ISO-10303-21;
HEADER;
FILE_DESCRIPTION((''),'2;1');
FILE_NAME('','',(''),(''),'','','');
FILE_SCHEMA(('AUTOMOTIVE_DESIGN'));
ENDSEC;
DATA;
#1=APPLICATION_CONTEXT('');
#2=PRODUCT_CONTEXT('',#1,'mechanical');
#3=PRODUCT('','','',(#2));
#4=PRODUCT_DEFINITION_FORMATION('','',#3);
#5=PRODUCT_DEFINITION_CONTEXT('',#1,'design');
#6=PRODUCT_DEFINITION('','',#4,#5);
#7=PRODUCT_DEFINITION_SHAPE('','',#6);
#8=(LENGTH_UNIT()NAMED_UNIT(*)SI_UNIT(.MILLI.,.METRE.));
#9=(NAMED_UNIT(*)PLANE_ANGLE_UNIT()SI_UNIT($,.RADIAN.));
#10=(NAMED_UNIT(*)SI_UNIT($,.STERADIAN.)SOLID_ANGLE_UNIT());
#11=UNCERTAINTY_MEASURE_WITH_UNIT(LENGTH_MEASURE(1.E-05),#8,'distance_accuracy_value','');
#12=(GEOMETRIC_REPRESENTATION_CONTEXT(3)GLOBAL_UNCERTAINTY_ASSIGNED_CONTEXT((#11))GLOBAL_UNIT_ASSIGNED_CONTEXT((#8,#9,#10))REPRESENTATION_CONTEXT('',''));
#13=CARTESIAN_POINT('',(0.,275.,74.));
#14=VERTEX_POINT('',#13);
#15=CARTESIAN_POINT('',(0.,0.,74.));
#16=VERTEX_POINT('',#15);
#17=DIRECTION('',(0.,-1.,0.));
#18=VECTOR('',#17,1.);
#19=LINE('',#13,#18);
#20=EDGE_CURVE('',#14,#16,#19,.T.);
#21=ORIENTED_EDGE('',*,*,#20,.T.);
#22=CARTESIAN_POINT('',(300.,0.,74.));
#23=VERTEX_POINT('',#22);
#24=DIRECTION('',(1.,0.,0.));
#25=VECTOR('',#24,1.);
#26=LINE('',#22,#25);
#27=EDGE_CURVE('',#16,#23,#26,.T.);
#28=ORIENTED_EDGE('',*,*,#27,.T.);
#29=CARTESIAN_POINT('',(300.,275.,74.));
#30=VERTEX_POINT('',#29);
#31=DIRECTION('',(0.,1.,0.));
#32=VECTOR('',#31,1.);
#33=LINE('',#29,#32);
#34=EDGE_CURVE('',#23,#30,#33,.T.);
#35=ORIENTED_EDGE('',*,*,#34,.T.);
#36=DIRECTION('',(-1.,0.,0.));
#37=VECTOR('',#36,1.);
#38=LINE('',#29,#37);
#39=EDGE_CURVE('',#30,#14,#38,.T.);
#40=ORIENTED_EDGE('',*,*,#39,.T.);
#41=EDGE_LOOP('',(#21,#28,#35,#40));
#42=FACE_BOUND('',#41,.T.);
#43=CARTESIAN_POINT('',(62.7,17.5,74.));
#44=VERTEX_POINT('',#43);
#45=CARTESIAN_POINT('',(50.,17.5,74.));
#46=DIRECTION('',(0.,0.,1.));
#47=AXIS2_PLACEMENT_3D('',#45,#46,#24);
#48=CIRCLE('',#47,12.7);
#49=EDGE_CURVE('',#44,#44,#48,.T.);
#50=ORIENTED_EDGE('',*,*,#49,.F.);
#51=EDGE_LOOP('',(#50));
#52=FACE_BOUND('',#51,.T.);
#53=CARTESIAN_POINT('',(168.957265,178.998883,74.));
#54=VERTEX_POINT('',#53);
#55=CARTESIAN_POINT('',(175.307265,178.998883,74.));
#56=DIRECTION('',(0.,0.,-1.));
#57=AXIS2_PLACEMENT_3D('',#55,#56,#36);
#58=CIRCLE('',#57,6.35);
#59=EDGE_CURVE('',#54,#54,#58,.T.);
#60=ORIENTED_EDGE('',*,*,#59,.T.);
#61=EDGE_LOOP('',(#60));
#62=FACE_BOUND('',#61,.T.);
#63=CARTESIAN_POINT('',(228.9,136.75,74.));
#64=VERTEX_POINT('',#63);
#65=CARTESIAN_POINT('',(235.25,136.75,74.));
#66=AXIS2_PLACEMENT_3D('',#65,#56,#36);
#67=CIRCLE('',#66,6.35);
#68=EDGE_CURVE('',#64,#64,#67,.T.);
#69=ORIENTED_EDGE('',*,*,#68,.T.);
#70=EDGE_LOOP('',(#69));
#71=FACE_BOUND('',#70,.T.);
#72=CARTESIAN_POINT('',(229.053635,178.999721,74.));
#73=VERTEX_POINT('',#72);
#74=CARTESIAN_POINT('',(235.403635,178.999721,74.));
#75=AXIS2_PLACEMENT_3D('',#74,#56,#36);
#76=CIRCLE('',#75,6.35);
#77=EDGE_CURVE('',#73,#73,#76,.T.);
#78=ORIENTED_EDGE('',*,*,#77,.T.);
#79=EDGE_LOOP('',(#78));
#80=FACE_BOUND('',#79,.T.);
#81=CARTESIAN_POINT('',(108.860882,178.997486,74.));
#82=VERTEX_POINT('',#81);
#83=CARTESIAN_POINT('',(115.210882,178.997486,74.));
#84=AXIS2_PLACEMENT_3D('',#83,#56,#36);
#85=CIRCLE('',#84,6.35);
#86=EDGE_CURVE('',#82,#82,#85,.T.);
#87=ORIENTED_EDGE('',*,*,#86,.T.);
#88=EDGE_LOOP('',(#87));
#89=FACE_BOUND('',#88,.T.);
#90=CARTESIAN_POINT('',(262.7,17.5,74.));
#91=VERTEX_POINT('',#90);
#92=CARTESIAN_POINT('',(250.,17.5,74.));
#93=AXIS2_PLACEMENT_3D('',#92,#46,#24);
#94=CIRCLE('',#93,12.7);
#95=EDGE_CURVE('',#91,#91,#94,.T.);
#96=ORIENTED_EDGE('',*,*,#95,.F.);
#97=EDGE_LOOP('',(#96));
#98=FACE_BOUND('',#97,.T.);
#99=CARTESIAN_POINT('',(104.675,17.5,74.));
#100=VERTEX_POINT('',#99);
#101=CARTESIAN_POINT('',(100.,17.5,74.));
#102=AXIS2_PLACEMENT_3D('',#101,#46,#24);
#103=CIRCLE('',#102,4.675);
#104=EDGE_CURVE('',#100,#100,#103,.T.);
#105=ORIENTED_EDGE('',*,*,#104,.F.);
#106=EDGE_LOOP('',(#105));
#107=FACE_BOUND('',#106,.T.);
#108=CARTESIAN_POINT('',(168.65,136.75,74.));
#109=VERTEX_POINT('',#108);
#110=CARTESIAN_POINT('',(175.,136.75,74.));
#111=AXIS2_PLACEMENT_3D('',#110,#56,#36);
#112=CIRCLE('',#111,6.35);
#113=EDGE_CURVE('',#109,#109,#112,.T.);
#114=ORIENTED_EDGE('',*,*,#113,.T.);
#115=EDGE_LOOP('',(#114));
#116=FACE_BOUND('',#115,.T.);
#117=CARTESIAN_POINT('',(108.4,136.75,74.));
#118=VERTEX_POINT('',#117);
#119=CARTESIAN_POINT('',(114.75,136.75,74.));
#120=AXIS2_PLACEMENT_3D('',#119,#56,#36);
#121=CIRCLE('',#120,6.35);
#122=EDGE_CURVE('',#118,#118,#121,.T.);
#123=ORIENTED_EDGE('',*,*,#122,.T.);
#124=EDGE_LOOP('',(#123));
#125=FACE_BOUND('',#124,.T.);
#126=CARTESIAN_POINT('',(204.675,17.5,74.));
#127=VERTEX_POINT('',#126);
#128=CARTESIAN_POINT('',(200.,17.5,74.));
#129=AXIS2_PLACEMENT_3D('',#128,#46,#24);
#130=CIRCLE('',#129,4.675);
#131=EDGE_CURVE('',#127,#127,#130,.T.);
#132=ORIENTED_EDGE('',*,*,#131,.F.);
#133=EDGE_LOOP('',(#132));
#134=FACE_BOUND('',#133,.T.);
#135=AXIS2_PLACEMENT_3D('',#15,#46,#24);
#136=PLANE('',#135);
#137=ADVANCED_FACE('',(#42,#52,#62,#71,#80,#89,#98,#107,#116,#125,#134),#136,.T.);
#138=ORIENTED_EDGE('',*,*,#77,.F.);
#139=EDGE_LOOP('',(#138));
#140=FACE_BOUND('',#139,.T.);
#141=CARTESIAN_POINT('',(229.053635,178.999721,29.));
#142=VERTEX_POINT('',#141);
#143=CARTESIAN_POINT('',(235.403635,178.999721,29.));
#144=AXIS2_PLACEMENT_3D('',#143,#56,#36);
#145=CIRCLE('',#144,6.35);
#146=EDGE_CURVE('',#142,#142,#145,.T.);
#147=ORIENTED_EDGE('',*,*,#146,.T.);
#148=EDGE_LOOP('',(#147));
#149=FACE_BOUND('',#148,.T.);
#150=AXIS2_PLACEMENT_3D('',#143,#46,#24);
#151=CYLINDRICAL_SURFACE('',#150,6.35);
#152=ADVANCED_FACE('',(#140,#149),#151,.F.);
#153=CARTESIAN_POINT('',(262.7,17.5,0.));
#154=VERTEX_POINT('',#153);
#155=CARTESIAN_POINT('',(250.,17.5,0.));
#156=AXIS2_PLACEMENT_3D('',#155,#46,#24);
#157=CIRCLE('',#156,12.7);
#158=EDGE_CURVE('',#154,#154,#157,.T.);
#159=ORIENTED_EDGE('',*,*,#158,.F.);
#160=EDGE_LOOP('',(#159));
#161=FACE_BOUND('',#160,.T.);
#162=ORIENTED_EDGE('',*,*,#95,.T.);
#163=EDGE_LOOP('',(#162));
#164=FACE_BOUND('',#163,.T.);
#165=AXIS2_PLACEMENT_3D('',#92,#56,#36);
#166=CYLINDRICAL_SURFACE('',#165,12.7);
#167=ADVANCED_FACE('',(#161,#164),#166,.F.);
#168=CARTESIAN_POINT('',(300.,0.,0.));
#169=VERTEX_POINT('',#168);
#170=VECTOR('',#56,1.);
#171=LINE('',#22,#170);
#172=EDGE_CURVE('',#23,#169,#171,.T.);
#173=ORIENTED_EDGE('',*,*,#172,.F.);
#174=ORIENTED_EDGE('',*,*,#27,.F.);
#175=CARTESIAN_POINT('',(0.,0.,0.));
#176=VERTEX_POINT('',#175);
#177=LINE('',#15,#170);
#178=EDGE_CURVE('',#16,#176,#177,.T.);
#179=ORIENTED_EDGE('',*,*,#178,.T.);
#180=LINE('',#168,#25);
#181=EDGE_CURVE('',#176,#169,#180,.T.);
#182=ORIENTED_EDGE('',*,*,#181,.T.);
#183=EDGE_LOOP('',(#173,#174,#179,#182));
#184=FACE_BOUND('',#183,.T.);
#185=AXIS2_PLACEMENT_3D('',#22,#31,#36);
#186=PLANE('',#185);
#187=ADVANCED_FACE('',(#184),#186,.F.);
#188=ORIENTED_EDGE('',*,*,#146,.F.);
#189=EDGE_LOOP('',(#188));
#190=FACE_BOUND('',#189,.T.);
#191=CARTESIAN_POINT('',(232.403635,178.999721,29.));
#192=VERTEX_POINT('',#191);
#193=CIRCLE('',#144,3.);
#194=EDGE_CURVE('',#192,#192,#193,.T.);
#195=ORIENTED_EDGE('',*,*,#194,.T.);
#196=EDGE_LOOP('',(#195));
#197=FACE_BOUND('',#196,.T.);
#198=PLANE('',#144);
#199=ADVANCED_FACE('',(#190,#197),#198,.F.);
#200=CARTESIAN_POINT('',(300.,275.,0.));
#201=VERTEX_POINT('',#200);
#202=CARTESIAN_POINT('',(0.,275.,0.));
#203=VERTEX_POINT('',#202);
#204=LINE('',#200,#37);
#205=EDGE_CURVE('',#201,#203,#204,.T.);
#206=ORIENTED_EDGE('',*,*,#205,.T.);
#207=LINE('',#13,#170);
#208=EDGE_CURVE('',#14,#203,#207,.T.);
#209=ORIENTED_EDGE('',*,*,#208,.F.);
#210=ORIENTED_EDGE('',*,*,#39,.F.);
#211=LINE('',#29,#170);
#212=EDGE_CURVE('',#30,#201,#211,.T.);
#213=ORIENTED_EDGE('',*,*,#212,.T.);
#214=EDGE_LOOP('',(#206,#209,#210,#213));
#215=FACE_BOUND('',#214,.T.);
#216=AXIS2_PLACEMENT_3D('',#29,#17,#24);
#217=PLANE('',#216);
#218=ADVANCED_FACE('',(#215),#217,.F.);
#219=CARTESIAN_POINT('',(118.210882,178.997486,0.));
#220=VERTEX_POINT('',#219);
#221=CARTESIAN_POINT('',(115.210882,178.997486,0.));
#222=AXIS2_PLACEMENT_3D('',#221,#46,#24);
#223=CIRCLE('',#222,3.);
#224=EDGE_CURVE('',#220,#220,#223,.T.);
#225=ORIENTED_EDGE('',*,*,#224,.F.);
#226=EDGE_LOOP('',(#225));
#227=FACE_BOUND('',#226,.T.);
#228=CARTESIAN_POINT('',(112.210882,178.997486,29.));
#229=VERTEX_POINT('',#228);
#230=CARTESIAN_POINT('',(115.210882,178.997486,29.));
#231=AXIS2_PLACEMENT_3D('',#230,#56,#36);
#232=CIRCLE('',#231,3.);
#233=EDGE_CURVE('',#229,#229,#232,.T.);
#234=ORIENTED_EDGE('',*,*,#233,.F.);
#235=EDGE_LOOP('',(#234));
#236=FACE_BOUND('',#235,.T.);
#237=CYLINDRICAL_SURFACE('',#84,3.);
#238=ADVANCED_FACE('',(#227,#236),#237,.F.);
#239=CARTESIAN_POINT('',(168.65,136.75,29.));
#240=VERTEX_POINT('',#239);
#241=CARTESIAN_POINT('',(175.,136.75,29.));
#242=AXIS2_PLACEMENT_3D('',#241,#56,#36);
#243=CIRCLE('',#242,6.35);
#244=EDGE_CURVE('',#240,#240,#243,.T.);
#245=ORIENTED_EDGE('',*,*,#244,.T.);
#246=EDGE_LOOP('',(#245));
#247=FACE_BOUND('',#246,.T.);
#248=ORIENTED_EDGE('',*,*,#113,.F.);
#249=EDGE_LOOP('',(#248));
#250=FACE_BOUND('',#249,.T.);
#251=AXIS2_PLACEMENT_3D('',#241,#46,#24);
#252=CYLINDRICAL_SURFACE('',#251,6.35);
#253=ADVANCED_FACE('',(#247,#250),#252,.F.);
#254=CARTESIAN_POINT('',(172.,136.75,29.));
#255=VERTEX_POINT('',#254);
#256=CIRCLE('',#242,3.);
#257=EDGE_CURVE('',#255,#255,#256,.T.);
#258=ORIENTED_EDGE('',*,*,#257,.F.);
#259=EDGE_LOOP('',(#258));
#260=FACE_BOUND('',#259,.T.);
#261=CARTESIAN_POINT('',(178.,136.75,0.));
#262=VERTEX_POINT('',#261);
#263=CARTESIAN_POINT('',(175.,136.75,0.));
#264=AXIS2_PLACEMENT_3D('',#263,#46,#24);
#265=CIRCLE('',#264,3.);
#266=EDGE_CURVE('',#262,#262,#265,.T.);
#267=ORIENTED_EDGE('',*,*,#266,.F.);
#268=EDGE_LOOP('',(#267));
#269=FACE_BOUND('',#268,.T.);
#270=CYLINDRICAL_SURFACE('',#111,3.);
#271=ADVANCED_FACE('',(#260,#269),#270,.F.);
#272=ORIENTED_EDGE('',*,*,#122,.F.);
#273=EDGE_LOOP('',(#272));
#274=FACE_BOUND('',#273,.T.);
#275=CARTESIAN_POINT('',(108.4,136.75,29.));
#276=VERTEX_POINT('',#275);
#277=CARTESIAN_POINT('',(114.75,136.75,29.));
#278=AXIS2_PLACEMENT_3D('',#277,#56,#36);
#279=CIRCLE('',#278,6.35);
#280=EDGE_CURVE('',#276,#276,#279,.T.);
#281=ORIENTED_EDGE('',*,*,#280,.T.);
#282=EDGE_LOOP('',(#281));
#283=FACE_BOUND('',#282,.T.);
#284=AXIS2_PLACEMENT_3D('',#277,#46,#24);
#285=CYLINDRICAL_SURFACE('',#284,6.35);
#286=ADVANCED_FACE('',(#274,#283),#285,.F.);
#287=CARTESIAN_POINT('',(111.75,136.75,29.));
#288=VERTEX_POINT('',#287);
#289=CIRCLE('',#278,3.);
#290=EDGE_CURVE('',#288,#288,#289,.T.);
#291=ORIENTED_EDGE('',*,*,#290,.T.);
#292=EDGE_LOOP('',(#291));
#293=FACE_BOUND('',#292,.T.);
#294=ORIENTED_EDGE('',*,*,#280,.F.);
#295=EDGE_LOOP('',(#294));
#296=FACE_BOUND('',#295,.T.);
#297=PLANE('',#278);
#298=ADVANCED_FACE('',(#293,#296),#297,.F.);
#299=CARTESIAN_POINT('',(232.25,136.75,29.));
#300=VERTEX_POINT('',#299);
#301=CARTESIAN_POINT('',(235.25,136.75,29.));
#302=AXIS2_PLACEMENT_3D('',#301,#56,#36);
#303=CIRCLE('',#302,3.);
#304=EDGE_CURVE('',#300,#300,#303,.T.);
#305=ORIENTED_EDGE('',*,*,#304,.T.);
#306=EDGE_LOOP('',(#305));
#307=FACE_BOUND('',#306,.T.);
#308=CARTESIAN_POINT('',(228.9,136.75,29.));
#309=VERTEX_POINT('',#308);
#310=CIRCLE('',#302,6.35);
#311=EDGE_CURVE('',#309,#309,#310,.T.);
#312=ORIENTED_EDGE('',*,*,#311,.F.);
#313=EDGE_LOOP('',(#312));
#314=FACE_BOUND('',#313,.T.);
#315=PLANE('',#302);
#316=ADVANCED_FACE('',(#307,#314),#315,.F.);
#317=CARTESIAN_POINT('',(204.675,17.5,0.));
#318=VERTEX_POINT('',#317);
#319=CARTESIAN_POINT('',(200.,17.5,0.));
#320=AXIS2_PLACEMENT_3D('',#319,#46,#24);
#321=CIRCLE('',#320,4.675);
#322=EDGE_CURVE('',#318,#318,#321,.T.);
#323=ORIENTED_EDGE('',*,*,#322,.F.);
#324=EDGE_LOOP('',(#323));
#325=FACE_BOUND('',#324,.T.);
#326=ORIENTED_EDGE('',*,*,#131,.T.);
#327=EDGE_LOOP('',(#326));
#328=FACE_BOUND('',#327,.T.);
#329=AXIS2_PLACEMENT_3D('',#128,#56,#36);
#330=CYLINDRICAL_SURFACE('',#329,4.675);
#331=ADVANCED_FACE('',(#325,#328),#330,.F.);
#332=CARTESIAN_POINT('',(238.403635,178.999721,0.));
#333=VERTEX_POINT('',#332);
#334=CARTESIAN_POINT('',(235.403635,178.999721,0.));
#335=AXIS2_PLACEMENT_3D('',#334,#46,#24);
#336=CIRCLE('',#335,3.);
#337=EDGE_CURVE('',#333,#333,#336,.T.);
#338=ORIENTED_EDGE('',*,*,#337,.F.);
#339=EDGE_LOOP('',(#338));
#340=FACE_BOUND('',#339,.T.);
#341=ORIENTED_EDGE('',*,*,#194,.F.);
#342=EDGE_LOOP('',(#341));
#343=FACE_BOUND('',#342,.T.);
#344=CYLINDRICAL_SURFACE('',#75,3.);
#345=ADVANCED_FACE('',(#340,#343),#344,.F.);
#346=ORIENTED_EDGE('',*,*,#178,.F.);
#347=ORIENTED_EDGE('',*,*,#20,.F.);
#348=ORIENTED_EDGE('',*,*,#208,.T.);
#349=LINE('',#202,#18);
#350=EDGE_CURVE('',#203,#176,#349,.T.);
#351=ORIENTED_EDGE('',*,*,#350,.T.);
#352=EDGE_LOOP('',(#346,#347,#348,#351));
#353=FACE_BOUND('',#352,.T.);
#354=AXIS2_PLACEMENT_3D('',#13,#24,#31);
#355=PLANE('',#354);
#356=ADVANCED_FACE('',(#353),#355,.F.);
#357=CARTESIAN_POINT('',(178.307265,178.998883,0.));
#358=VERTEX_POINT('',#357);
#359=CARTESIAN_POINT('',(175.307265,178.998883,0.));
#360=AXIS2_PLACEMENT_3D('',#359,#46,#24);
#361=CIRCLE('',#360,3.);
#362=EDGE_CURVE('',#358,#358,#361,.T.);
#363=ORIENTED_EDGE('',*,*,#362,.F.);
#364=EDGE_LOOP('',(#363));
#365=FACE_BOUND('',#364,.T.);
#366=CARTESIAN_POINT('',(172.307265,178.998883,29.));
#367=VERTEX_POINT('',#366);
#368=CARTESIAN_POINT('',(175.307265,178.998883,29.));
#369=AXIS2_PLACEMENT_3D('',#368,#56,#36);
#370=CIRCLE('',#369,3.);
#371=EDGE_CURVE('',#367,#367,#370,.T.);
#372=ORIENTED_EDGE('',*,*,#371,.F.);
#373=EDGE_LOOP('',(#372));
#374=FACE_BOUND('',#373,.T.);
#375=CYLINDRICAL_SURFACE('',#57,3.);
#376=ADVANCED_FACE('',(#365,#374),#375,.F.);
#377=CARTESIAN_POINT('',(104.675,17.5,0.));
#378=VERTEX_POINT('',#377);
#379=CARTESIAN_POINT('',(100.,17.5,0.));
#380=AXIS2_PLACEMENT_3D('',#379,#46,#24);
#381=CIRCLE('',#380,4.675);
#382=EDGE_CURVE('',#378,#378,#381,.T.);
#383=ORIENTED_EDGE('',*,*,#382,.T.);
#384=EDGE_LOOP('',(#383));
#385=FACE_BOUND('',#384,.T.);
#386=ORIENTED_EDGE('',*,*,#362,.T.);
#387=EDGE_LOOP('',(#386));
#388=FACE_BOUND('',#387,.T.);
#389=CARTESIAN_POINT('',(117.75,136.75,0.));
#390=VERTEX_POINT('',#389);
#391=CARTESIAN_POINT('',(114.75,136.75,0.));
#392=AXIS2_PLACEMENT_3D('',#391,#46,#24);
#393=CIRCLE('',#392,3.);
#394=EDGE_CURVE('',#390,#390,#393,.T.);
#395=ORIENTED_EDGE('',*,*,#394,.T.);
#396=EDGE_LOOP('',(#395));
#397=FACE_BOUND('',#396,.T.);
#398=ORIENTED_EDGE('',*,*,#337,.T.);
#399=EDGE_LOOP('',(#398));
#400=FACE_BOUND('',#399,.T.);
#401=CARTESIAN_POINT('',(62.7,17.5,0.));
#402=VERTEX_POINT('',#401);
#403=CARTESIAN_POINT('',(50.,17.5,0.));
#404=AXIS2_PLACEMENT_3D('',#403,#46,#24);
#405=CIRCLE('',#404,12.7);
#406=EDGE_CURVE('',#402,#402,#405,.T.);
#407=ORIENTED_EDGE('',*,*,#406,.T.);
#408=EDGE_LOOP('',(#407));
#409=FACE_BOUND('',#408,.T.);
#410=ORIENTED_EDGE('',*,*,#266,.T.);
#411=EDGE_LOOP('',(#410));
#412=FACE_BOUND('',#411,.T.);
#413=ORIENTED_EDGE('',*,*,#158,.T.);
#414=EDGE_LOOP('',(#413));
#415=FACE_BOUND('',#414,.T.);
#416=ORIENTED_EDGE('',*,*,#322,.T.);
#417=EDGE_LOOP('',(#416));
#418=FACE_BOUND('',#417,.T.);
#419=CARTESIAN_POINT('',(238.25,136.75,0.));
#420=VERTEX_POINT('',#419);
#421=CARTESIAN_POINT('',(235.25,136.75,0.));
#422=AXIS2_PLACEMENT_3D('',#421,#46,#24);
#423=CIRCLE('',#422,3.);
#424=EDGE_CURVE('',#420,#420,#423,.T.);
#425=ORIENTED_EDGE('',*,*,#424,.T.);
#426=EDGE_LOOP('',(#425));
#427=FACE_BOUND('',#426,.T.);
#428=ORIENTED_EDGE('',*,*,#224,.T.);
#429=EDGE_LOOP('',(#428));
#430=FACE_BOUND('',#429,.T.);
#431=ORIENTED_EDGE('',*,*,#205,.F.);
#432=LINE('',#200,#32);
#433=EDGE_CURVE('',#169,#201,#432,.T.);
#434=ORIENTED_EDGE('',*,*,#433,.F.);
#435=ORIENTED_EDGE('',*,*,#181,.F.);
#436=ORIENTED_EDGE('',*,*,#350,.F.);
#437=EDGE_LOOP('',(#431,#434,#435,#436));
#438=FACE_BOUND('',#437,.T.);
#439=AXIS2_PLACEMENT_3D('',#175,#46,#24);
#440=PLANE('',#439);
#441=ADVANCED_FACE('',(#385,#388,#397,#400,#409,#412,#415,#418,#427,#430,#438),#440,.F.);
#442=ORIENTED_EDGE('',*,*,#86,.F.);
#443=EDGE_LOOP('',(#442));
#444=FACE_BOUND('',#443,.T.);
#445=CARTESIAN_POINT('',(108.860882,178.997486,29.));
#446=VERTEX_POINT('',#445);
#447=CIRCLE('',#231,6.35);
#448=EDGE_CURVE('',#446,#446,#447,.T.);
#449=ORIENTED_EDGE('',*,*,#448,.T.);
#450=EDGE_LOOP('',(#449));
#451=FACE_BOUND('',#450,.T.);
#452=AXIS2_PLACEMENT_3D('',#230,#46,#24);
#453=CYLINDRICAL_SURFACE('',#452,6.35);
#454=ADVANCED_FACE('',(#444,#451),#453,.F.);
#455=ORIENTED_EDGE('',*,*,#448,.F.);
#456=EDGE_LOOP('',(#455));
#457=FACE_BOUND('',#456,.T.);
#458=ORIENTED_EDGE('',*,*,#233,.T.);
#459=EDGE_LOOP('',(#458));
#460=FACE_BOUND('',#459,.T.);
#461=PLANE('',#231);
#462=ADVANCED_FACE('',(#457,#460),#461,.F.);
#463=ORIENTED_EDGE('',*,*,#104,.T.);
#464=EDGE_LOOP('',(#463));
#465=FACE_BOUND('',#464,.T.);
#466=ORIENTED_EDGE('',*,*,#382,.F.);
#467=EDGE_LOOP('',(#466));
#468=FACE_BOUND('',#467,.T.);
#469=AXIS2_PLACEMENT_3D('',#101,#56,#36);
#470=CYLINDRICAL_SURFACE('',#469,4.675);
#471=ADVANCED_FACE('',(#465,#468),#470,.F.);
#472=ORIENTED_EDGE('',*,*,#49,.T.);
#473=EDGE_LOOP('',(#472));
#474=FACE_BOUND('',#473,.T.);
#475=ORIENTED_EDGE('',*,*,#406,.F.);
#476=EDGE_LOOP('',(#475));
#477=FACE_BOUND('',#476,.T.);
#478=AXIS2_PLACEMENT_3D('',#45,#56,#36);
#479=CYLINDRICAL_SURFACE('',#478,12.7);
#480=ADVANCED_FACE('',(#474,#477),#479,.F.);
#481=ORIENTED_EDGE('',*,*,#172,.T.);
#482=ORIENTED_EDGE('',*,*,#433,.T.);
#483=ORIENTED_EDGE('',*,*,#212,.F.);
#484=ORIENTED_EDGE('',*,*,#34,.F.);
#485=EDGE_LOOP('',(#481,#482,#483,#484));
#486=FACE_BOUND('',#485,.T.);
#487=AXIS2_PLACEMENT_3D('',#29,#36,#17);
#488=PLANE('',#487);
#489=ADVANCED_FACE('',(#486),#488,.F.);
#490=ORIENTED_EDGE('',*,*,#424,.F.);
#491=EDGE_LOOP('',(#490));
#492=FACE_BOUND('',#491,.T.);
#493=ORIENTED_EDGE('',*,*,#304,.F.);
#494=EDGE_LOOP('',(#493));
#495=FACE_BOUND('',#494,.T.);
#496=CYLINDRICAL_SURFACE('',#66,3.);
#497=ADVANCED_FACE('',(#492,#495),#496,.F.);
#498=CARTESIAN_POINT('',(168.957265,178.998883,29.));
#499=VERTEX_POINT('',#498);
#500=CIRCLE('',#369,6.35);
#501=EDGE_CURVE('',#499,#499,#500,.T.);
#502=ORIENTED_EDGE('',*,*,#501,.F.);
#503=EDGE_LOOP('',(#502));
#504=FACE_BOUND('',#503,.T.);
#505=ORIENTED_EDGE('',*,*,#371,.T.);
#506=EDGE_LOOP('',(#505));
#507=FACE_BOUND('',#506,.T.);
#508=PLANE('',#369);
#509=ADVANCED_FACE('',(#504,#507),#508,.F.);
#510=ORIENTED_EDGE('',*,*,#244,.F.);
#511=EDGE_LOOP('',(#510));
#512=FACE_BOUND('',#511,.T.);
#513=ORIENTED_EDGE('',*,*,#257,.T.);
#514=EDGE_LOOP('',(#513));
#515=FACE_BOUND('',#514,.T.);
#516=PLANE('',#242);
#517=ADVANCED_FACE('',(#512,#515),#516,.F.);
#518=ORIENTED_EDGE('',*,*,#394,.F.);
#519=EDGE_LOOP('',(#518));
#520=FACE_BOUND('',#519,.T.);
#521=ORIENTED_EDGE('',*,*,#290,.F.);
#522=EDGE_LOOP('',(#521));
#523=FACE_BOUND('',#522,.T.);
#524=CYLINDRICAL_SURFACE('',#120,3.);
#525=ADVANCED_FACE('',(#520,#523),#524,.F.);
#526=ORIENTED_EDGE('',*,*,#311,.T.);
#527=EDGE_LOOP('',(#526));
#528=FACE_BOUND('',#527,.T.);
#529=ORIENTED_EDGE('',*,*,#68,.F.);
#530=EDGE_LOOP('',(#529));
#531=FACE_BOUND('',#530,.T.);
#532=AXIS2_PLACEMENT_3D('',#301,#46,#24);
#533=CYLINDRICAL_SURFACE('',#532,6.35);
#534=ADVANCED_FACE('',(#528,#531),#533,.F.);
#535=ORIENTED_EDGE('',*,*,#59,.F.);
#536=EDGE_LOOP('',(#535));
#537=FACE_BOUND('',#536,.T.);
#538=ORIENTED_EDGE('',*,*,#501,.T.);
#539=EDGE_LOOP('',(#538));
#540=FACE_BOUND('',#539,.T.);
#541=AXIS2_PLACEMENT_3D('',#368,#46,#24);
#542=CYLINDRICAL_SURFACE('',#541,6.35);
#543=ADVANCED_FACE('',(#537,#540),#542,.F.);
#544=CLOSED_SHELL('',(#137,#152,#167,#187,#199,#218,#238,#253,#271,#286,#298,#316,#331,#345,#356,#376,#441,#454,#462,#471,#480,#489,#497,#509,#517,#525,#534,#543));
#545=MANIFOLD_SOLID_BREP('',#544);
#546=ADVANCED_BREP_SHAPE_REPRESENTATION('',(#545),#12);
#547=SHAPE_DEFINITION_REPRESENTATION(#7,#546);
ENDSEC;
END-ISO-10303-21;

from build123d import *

# Parameters (mm, degrees)
SKETCH1_W           = 300
SKETCH1_H           = 275
SKETCH1_R           = 12.7
SKETCH1_R_2         = 4.675
SKETCH1_R_3         = 3
BOSS_EXTRUDE1_DEPTH = 74
SKETCH2_R           = 6.35
CUT_EXTRUDE1_DEPTH  = 45


with BuildPart() as part:
    # Sketch1 → Boss-Extrude1 (new body)
    with BuildSketch(Plane.XY):
        with Locations((150, 137.5)):
            Rectangle(SKETCH1_W, SKETCH1_H)
        with Locations((250, 17.5)):
            Circle(SKETCH1_R, mode=Mode.SUBTRACT)
        with Locations((200, 17.5)):
            Circle(SKETCH1_R_2, mode=Mode.SUBTRACT)
        with Locations((100, 17.5)):
            Circle(SKETCH1_R_2, mode=Mode.SUBTRACT)
        with Locations((50, 17.5)):
            Circle(SKETCH1_R, mode=Mode.SUBTRACT)
        with Locations((235.25, 136.75)):
            Circle(SKETCH1_R_3, mode=Mode.SUBTRACT)
        with Locations((114.75, 136.75)):
            Circle(SKETCH1_R_3, mode=Mode.SUBTRACT)
        with Locations((175, 136.75)):
            Circle(SKETCH1_R_3, mode=Mode.SUBTRACT)
        with Locations((115.210881667, 178.997486175)):
            Circle(SKETCH1_R_3, mode=Mode.SUBTRACT)
        with Locations((175.307264601, 178.998882689)):
            Circle(SKETCH1_R_3, mode=Mode.SUBTRACT)
        with Locations((235.403635348, 178.999720664)):
            Circle(SKETCH1_R_3, mode=Mode.SUBTRACT)
    extrude(amount=BOSS_EXTRUDE1_DEPTH)

    # Sketch2 → Cut-Extrude1 (cut)
    with BuildSketch(Plane(origin=(0, 0, 74), x_dir=(-1, 0, 0), z_dir=(0, 0, -1))):
        with Locations((-175, 136.75)):
            Circle(SKETCH2_R)
        with Locations((-235.25, 136.75)):
            Circle(SKETCH2_R)
        with Locations((-235.403635348, 178.999720664)):
            Circle(SKETCH2_R)
        with Locations((-175.307264601, 178.998882689)):
            Circle(SKETCH2_R)
        with Locations((-115.210881667, 178.997486175)):
            Circle(SKETCH2_R)
        with Locations((-114.75, 136.75)):
            Circle(SKETCH2_R)
    extrude(amount=CUT_EXTRUDE1_DEPTH, mode=Mode.SUBTRACT)


solid = part.part
